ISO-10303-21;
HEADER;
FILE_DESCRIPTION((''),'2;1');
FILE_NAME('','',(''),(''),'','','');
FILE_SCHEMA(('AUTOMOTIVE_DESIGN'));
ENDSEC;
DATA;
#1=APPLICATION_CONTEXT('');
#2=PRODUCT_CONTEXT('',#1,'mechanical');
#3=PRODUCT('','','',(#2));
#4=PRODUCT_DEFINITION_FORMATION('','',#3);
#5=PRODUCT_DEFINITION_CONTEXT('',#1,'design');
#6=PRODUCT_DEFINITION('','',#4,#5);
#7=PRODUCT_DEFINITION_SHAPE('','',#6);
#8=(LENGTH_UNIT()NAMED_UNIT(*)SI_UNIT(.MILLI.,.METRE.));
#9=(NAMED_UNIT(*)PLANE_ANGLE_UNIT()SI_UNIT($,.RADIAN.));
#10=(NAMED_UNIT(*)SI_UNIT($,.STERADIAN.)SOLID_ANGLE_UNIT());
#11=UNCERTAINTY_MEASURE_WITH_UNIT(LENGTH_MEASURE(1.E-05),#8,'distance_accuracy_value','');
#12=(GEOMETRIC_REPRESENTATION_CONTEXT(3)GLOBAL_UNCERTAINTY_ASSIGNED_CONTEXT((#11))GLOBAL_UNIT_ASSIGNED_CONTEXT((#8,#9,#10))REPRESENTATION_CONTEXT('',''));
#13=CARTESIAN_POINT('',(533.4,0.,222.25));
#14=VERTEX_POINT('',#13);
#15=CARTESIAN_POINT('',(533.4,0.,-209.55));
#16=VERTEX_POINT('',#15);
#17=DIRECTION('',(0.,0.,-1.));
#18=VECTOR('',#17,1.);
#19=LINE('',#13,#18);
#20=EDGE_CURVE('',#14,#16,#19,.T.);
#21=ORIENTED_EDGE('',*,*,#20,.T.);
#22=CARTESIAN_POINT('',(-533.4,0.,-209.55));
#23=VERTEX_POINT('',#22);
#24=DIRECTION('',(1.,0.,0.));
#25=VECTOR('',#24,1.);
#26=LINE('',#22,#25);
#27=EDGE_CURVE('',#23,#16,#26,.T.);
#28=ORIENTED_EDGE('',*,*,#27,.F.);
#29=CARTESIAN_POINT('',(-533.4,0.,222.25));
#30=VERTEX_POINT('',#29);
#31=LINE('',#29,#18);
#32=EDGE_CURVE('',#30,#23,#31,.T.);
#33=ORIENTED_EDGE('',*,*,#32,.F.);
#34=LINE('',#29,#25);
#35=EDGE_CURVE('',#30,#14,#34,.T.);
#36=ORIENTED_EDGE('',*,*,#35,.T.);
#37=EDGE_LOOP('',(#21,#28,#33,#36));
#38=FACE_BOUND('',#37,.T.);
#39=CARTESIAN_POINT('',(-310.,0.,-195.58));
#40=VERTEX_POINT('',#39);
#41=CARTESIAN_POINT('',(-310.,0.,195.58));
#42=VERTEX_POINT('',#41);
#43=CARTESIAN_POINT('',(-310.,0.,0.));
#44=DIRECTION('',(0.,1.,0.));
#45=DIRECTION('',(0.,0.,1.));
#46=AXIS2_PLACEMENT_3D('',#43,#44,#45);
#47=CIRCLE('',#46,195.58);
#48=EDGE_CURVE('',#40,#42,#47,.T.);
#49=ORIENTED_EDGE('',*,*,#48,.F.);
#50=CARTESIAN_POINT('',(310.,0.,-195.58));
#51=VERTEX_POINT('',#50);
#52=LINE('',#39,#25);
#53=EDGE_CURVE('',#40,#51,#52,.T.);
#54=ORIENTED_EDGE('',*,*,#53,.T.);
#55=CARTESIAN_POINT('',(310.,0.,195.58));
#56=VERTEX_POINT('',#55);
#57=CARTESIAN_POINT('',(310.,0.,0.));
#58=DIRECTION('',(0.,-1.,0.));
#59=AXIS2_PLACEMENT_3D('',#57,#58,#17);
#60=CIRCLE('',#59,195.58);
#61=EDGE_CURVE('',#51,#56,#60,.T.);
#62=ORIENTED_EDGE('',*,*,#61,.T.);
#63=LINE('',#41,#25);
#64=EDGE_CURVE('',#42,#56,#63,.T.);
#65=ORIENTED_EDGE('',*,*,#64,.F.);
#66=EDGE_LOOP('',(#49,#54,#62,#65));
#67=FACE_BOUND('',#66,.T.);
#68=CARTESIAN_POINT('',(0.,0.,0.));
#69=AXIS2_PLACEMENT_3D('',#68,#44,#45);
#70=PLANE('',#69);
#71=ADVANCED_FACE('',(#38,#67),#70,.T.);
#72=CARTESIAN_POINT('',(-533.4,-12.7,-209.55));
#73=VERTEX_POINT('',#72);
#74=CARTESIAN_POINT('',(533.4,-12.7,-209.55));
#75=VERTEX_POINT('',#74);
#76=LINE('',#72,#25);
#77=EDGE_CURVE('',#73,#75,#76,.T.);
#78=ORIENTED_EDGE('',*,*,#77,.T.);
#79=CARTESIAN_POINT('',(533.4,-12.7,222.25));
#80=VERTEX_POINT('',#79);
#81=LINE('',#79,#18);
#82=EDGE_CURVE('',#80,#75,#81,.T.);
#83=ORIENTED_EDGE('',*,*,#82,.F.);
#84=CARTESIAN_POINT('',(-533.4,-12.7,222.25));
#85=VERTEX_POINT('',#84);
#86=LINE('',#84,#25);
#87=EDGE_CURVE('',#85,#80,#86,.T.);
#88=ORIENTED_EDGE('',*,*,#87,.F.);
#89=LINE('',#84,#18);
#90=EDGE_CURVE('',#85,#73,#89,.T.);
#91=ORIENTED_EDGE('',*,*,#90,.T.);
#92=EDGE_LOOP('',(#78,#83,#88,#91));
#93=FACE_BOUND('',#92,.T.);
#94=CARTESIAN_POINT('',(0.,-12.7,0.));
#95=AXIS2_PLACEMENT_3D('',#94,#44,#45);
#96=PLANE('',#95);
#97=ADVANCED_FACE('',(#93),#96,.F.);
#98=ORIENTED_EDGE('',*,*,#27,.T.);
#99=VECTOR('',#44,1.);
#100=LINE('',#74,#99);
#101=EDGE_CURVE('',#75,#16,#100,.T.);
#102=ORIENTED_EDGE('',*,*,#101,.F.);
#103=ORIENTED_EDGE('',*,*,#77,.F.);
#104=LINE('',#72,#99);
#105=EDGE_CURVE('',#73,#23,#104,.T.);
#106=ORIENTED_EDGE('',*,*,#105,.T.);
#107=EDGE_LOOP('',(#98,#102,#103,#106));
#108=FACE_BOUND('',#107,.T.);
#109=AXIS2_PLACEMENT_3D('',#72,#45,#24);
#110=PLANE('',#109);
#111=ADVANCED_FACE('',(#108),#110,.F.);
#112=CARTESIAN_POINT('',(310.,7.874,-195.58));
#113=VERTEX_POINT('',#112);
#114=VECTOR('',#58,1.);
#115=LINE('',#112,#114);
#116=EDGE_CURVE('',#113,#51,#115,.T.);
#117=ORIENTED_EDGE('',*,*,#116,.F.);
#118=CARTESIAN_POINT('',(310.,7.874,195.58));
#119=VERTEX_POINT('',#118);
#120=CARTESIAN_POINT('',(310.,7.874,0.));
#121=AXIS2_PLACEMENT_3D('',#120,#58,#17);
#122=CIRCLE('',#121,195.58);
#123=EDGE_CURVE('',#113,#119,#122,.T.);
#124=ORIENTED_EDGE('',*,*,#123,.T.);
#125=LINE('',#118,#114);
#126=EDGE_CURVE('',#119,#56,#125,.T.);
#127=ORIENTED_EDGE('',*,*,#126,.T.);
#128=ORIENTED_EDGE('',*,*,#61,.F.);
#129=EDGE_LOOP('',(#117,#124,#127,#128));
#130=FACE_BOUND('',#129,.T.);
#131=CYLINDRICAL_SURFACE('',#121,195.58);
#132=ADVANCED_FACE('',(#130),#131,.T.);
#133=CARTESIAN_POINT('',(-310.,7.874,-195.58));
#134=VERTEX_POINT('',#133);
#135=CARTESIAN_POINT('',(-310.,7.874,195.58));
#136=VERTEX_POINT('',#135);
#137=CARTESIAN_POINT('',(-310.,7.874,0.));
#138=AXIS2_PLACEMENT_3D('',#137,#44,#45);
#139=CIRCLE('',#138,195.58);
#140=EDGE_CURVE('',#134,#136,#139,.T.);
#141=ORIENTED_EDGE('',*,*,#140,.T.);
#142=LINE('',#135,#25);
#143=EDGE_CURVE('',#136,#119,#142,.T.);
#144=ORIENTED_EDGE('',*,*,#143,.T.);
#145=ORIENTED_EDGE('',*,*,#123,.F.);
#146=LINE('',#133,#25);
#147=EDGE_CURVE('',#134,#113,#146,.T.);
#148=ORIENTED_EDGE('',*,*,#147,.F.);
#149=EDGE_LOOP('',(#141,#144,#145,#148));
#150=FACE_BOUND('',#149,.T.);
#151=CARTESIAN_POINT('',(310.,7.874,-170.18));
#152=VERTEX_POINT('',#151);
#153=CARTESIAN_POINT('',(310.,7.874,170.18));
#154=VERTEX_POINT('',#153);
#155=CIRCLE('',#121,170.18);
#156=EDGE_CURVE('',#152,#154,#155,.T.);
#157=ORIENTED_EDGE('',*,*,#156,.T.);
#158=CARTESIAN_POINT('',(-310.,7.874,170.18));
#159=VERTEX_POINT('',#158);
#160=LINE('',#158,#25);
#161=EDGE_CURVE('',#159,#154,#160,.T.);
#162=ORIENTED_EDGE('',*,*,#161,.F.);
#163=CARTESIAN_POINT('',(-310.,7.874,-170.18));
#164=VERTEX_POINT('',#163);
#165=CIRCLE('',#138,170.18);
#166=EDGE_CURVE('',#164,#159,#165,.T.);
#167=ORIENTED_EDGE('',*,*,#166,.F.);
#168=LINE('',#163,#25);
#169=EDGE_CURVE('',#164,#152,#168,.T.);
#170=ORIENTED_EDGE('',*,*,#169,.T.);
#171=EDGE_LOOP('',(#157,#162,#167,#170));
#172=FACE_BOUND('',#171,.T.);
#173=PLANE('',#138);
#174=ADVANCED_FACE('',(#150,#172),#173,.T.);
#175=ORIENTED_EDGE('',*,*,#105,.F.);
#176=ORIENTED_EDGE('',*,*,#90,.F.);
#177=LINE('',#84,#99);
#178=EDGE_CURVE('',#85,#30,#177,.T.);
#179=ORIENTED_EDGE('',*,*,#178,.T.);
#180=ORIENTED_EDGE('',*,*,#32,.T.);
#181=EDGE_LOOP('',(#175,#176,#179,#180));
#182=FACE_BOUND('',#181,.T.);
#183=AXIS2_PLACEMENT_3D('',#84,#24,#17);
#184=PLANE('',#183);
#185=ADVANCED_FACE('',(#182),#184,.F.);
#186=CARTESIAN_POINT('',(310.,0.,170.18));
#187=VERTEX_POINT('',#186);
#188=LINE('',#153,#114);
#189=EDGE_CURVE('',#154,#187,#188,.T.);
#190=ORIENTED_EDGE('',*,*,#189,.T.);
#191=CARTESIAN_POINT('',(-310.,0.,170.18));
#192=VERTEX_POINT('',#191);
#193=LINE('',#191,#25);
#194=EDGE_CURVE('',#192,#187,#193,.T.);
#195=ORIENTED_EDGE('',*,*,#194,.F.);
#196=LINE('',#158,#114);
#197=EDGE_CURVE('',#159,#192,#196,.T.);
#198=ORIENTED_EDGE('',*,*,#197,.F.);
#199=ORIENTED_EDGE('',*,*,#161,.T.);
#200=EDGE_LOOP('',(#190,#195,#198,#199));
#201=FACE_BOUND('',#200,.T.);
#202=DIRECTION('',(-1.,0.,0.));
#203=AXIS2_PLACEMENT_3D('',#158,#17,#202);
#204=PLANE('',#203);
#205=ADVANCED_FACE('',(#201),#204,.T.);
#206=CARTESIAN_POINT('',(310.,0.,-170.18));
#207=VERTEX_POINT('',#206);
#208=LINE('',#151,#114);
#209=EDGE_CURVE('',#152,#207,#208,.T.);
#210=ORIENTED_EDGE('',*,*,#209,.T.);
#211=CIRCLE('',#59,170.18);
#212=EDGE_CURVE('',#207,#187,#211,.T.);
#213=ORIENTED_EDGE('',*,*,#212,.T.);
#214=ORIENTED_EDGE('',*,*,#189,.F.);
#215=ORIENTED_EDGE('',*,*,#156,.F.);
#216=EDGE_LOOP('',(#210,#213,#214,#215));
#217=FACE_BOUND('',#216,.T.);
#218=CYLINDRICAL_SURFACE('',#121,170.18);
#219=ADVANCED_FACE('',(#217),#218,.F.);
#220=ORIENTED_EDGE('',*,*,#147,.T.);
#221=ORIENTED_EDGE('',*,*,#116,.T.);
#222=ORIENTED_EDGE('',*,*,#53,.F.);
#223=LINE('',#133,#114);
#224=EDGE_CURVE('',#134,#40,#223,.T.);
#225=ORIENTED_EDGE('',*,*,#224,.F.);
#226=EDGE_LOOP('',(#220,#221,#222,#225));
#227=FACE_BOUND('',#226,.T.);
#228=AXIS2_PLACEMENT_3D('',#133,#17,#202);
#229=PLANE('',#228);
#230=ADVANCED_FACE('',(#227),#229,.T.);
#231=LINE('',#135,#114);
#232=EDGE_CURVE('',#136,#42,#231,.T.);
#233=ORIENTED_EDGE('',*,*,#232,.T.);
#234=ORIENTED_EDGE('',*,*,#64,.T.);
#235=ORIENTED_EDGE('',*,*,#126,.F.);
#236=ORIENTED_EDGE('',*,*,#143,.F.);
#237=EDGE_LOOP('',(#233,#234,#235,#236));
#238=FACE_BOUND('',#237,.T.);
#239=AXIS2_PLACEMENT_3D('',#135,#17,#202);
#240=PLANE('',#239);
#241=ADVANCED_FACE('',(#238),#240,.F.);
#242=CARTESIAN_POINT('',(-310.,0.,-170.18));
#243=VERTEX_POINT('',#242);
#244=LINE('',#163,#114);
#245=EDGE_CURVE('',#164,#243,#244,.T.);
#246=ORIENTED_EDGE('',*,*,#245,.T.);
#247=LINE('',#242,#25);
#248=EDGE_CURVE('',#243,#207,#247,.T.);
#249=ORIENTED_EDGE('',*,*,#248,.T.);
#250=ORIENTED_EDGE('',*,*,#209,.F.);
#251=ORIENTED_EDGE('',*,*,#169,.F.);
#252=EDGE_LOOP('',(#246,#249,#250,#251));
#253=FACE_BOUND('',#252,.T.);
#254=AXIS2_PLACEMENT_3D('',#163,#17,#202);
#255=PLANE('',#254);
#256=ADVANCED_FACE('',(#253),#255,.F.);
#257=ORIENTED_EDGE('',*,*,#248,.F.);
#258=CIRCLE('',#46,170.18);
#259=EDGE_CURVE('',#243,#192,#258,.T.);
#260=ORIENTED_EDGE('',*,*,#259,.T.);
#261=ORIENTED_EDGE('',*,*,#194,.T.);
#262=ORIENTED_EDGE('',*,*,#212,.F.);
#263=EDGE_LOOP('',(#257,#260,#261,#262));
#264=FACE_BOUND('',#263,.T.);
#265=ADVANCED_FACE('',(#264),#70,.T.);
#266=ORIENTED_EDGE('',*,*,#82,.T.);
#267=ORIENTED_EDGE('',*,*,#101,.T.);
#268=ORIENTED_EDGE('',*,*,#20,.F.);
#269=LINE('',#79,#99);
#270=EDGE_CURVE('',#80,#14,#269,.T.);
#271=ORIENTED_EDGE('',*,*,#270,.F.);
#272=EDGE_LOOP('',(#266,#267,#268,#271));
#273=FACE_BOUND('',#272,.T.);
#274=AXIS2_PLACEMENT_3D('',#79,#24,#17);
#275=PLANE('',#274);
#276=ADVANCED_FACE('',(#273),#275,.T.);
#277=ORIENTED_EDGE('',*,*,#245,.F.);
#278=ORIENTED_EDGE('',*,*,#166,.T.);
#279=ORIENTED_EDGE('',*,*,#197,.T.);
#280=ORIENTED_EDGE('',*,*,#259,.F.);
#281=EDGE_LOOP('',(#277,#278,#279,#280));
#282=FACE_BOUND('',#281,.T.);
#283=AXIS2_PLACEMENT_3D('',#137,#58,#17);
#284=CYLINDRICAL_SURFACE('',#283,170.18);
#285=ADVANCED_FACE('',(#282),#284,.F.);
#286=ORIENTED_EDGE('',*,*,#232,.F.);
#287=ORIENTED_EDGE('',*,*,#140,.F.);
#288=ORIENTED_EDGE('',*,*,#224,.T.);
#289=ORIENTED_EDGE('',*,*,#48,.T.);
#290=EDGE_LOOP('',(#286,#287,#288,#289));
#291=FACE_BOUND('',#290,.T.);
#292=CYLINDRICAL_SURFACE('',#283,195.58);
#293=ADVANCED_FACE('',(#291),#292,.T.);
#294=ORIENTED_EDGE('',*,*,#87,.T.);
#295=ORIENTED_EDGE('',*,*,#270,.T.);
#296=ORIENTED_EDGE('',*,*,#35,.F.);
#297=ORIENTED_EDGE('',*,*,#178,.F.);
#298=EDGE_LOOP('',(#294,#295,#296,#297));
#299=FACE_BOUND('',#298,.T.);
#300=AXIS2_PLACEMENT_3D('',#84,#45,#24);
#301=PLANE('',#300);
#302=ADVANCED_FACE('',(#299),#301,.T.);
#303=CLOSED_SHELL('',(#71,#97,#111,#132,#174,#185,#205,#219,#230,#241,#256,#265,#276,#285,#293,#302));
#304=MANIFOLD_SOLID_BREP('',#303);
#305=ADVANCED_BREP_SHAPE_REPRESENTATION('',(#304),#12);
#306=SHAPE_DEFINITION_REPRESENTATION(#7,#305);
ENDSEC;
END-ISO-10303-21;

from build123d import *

# Parameters (mm, degrees)
TRAIN_TRACK_DEPTH   = 7.874
TRACK_BASE_SKETCH_W = 1066.8
TRACK_BASE_SKETCH_H = 431.8
TRACK_BASE_DEPTH    = 12.7


with BuildPart() as part:
    # Track Sketch → Train Track (new body)
    with BuildSketch(Plane(origin=(0, 0, 0), x_dir=(1, 0, 0), z_dir=(0, 1, 0))):
        with BuildLine():
            Line((-310, -195.58), (310, -195.58))
            ThreePointArc((310, -195.58), (505.58, 0), (310, 195.58))
            Line((310, 195.58), (-310, 195.58))
            ThreePointArc((-310, 195.58), (-505.58, 0), (-310, -195.58))
        make_face()
        with BuildLine():
            Line((-310, -170.18), (310, -170.18))
            ThreePointArc((310, -170.18), (480.18, 0), (310, 170.18))
            Line((310, 170.18), (-310, 170.18))
            ThreePointArc((-310, 170.18), (-480.18, 0), (-310, -170.18))
        make_face(mode=Mode.SUBTRACT)
    extrude(amount=TRAIN_TRACK_DEPTH)

    # Track Base Sketch → Track Base (add)
    with BuildSketch(Plane(origin=(0, 0, 0), x_dir=(1, 0, 0), z_dir=(0, 1, 0))):
        with Locations((0, -6.35)):
            Rectangle(TRACK_BASE_SKETCH_W, TRACK_BASE_SKETCH_H)
    extrude(amount=-TRACK_BASE_DEPTH)


solid = part.part
